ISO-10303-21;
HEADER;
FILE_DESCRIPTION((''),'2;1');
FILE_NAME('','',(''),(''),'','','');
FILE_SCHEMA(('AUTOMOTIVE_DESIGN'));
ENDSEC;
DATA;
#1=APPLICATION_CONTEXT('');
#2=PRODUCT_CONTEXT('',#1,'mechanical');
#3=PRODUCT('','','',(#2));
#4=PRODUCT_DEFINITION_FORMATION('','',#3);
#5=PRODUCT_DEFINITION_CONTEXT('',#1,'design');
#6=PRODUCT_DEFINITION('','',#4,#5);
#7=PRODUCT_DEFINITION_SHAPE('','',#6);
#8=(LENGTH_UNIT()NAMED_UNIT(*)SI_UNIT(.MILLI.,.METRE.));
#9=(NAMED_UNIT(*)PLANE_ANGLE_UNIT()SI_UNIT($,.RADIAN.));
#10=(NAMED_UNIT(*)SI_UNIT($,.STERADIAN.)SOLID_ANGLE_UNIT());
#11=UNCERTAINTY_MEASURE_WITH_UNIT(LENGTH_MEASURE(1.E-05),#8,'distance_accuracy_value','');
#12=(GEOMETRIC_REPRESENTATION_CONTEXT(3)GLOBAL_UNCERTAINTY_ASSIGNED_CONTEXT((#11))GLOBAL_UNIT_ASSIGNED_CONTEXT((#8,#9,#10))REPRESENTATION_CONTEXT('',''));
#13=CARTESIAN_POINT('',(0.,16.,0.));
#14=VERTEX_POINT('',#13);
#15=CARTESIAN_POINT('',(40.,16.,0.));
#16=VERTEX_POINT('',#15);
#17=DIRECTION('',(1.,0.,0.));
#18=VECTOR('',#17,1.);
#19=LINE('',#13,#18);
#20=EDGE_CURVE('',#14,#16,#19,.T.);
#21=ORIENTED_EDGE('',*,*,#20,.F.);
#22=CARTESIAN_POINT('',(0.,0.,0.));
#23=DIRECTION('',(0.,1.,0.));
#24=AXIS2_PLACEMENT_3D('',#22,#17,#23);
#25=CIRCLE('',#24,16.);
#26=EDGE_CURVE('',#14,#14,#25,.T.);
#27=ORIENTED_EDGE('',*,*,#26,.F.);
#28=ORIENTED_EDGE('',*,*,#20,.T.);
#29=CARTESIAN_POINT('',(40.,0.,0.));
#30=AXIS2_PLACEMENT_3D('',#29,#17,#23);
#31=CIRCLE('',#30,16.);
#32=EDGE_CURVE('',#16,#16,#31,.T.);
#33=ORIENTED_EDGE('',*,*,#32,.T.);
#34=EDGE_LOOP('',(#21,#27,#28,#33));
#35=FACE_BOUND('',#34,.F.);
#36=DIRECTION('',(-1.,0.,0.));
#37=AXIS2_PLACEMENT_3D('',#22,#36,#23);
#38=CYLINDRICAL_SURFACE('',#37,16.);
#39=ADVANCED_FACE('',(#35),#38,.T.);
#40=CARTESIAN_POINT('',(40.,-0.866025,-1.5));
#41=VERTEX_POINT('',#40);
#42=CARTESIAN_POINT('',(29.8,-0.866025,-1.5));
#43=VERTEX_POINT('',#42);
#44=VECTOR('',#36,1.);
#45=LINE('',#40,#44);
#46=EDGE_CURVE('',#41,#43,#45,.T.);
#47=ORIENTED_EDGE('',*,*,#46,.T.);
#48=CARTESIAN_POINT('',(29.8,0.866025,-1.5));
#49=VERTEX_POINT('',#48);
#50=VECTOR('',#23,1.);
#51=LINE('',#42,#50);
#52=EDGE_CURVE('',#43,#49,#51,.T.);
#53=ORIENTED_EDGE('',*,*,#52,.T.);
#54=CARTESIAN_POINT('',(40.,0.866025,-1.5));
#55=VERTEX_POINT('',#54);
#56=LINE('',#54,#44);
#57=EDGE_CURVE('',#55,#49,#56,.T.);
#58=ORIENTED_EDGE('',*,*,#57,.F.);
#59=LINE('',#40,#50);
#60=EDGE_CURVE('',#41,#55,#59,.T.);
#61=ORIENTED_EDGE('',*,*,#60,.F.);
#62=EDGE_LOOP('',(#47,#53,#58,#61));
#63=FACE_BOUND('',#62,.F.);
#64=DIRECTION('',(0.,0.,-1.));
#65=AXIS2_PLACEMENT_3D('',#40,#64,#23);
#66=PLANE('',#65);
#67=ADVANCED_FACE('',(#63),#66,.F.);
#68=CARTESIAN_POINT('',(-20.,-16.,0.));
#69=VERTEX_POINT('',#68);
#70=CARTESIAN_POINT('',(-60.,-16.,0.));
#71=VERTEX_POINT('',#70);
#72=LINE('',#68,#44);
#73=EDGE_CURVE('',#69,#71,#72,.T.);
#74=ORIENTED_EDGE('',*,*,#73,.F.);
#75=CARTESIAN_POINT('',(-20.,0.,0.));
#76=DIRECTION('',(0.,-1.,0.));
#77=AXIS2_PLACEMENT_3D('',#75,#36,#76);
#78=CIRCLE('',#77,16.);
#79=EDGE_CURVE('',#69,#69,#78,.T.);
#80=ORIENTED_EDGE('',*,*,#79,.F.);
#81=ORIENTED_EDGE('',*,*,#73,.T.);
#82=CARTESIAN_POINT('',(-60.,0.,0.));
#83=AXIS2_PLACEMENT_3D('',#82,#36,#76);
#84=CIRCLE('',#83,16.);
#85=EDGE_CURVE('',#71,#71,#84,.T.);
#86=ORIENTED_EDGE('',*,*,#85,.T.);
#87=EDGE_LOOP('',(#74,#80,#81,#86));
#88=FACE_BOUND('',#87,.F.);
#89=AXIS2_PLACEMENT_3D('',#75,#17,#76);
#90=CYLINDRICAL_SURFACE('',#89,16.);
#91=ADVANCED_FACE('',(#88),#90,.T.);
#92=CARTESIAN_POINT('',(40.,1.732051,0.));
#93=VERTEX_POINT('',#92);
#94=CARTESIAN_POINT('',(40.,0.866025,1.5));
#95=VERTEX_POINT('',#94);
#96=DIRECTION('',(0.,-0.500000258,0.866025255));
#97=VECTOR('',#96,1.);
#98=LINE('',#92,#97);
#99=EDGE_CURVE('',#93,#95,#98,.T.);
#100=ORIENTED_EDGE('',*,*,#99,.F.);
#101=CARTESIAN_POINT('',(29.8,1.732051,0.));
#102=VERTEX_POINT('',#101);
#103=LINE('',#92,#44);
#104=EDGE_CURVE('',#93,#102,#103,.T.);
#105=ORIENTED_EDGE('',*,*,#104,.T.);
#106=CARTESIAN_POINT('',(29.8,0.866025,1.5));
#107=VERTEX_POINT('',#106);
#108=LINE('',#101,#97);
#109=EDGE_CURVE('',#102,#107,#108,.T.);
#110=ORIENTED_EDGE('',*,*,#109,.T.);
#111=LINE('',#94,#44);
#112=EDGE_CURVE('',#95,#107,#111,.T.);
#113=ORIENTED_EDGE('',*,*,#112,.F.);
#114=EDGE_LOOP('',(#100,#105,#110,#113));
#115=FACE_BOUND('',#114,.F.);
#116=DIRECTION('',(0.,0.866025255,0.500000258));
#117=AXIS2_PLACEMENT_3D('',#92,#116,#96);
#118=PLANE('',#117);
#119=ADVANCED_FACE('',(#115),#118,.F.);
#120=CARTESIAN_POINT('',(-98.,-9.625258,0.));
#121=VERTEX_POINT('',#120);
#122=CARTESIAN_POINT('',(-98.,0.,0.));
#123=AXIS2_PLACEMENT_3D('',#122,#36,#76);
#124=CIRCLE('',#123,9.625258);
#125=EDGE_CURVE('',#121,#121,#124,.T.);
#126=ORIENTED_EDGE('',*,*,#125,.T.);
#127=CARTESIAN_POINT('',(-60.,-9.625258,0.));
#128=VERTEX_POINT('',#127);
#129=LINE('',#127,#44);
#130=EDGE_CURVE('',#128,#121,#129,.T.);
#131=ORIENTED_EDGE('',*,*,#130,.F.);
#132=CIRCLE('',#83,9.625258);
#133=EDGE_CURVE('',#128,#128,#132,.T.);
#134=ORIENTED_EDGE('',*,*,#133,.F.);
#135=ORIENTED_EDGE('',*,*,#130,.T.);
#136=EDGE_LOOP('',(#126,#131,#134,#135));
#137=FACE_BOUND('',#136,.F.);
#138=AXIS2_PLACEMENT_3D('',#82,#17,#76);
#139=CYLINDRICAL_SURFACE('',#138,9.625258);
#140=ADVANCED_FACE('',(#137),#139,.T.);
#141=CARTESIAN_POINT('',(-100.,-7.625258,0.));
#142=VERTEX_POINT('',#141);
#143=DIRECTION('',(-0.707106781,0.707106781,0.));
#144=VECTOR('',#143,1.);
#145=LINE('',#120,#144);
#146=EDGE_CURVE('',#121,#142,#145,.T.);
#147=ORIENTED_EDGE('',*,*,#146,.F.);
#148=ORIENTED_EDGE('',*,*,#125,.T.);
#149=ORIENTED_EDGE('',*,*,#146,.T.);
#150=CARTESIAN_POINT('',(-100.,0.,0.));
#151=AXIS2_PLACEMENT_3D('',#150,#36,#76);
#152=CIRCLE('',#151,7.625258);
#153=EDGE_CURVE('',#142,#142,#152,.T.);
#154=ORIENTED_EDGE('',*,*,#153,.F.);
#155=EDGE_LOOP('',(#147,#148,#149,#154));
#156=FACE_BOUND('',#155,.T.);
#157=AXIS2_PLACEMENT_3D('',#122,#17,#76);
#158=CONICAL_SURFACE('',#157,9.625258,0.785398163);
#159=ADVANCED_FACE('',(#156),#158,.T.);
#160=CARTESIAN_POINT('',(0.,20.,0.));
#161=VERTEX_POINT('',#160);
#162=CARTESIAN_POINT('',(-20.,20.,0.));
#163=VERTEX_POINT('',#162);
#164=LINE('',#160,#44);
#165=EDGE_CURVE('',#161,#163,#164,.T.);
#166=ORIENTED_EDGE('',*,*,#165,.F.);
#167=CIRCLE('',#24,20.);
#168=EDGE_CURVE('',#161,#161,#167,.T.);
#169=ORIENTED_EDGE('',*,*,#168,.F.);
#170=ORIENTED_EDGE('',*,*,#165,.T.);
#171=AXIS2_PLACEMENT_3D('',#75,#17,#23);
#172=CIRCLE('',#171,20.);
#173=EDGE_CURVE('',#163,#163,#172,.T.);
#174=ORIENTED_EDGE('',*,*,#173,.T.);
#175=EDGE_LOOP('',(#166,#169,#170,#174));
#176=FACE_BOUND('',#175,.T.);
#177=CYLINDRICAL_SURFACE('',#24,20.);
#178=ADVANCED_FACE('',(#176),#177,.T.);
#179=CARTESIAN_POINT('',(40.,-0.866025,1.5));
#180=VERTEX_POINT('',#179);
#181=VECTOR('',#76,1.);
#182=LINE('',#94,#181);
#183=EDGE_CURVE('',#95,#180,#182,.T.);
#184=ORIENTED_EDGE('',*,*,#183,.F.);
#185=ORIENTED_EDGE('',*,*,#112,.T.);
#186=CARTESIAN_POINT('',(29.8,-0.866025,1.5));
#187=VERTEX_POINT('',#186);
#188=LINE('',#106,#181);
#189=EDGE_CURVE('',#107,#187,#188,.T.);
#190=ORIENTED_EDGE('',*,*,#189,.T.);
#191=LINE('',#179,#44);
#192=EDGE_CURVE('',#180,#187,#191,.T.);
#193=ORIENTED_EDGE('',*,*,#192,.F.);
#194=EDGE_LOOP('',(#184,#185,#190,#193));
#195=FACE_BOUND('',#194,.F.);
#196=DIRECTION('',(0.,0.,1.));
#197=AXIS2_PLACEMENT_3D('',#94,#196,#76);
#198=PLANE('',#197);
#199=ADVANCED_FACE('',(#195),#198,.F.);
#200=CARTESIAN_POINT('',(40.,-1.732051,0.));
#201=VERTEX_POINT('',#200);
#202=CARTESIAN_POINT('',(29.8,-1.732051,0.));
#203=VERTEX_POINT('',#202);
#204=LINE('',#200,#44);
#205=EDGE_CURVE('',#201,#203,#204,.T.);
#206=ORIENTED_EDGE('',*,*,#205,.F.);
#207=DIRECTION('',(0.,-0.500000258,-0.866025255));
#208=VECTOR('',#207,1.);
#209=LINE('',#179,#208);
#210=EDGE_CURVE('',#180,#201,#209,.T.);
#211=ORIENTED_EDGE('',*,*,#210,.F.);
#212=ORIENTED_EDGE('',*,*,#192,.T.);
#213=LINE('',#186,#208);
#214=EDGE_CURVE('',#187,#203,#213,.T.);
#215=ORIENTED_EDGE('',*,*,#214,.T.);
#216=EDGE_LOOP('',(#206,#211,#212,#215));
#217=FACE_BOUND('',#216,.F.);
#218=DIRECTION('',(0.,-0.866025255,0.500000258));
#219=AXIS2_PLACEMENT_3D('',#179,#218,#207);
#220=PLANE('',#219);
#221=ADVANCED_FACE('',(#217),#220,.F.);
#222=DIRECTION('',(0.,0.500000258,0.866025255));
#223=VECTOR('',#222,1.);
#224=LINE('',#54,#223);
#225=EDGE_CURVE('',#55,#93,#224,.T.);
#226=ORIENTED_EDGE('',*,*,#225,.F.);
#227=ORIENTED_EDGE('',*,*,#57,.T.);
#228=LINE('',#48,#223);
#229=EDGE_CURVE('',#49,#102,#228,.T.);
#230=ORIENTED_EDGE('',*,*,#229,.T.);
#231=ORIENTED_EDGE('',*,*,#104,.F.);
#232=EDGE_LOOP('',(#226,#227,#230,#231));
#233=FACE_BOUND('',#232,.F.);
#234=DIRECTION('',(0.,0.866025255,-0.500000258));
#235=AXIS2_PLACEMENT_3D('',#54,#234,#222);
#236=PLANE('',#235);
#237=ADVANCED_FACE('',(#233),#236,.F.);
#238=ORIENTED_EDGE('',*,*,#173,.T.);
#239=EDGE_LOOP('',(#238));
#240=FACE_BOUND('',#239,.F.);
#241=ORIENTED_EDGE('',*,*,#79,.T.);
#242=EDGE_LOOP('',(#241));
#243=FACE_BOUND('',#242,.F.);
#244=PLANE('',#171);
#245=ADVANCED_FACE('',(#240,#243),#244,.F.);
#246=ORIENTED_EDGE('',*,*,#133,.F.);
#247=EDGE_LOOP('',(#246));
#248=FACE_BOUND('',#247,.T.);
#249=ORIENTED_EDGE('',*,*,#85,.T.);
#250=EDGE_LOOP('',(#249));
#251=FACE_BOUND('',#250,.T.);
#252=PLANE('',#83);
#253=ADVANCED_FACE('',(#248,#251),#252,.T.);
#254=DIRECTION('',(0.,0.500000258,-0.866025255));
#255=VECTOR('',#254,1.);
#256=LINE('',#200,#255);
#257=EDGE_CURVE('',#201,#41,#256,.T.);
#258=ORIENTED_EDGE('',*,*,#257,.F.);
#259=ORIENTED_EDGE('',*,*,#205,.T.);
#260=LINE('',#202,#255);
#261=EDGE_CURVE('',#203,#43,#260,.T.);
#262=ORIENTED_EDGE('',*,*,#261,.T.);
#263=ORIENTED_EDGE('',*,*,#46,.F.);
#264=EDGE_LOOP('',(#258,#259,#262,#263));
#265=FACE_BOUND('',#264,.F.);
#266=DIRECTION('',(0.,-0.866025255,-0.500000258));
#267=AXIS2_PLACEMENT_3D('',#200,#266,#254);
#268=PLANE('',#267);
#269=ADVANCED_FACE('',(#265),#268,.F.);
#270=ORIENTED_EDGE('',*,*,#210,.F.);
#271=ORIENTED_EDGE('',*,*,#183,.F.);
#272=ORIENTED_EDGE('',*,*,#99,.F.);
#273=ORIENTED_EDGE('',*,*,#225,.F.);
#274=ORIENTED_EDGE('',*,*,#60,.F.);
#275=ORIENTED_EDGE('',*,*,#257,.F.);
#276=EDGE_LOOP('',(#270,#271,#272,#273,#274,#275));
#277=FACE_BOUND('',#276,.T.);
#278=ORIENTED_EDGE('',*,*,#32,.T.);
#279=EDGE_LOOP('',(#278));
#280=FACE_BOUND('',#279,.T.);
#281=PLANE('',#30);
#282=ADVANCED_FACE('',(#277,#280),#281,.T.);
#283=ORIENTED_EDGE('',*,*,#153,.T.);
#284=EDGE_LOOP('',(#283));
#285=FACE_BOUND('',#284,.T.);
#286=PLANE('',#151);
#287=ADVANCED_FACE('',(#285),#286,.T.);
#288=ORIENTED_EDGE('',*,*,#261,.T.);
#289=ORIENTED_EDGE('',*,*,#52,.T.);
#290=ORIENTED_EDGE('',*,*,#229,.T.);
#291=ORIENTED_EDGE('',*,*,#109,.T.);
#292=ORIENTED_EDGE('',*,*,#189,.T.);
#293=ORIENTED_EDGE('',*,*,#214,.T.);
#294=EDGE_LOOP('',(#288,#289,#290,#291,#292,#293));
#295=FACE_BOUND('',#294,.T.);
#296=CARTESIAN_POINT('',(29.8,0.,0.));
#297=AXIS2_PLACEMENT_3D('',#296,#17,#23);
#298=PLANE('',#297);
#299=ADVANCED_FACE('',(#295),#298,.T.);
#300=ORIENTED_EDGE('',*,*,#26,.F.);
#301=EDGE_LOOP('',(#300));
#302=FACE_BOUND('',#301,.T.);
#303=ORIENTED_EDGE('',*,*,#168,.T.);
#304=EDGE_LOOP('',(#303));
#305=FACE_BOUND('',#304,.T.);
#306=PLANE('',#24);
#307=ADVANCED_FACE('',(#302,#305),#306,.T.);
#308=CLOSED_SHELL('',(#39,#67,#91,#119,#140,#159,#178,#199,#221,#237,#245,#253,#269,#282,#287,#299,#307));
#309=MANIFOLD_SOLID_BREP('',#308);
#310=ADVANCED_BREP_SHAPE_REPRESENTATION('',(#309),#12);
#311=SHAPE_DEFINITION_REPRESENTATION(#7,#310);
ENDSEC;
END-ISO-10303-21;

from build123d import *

# Parameters (mm, degrees)
F0_R      = 20
F1_DEPTH  = 20
F2_R      = 16
F3_DEPTH  = 40
F4_R      = 9.625258
F5_DEPTH  = 40
F6_SIZE   = 2
F7_R      = 16
F8_DEPTH  = 40
F10_DEPTH = 10.2


with BuildPart() as f1:
    # F0 (on Right) → F1 (new body)
    with BuildSketch(Plane.YZ):
        Circle(F0_R)
    extrude(amount=-F1_DEPTH)

    # F2 (on face) → F3 (join)
    with BuildSketch(Plane(origin=(-20, 0, 0), x_dir=(0, -1, 0), z_dir=(-1, 0, 0))):
        Circle(F2_R)
    extrude(amount=F3_DEPTH)

    # F4 (on face) → F5 (join)
    with BuildSketch(Plane(origin=(-60, 0, 0), x_dir=(0, -1, 0), z_dir=(-1, 0, 0))):
        Circle(F4_R)
    extrude(amount=F5_DEPTH)

    # F6
    f6_edges = [f1.edges().sort_by_distance(p)[0] for p in [
        (-100, 9.625258, 0),
    ]]
    chamfer(f6_edges, length=F6_SIZE)

    # F7 (on face) → F8 (join)
    with BuildSketch(Plane.YZ):
        Circle(F7_R)
    extrude(amount=F8_DEPTH)

    # F9 (on face) → F10 (cut)
    with BuildSketch(Plane.YZ.offset(40)):
        Polygon((-0.866025, -1.5), (0.866025, -1.5), (1.732051, 0), (0.866025, 1.5), (-0.866025, 1.5), (-1.732051, 0), align=None)
    extrude(amount=-F10_DEPTH, mode=Mode.SUBTRACT)


solid = f1.part
